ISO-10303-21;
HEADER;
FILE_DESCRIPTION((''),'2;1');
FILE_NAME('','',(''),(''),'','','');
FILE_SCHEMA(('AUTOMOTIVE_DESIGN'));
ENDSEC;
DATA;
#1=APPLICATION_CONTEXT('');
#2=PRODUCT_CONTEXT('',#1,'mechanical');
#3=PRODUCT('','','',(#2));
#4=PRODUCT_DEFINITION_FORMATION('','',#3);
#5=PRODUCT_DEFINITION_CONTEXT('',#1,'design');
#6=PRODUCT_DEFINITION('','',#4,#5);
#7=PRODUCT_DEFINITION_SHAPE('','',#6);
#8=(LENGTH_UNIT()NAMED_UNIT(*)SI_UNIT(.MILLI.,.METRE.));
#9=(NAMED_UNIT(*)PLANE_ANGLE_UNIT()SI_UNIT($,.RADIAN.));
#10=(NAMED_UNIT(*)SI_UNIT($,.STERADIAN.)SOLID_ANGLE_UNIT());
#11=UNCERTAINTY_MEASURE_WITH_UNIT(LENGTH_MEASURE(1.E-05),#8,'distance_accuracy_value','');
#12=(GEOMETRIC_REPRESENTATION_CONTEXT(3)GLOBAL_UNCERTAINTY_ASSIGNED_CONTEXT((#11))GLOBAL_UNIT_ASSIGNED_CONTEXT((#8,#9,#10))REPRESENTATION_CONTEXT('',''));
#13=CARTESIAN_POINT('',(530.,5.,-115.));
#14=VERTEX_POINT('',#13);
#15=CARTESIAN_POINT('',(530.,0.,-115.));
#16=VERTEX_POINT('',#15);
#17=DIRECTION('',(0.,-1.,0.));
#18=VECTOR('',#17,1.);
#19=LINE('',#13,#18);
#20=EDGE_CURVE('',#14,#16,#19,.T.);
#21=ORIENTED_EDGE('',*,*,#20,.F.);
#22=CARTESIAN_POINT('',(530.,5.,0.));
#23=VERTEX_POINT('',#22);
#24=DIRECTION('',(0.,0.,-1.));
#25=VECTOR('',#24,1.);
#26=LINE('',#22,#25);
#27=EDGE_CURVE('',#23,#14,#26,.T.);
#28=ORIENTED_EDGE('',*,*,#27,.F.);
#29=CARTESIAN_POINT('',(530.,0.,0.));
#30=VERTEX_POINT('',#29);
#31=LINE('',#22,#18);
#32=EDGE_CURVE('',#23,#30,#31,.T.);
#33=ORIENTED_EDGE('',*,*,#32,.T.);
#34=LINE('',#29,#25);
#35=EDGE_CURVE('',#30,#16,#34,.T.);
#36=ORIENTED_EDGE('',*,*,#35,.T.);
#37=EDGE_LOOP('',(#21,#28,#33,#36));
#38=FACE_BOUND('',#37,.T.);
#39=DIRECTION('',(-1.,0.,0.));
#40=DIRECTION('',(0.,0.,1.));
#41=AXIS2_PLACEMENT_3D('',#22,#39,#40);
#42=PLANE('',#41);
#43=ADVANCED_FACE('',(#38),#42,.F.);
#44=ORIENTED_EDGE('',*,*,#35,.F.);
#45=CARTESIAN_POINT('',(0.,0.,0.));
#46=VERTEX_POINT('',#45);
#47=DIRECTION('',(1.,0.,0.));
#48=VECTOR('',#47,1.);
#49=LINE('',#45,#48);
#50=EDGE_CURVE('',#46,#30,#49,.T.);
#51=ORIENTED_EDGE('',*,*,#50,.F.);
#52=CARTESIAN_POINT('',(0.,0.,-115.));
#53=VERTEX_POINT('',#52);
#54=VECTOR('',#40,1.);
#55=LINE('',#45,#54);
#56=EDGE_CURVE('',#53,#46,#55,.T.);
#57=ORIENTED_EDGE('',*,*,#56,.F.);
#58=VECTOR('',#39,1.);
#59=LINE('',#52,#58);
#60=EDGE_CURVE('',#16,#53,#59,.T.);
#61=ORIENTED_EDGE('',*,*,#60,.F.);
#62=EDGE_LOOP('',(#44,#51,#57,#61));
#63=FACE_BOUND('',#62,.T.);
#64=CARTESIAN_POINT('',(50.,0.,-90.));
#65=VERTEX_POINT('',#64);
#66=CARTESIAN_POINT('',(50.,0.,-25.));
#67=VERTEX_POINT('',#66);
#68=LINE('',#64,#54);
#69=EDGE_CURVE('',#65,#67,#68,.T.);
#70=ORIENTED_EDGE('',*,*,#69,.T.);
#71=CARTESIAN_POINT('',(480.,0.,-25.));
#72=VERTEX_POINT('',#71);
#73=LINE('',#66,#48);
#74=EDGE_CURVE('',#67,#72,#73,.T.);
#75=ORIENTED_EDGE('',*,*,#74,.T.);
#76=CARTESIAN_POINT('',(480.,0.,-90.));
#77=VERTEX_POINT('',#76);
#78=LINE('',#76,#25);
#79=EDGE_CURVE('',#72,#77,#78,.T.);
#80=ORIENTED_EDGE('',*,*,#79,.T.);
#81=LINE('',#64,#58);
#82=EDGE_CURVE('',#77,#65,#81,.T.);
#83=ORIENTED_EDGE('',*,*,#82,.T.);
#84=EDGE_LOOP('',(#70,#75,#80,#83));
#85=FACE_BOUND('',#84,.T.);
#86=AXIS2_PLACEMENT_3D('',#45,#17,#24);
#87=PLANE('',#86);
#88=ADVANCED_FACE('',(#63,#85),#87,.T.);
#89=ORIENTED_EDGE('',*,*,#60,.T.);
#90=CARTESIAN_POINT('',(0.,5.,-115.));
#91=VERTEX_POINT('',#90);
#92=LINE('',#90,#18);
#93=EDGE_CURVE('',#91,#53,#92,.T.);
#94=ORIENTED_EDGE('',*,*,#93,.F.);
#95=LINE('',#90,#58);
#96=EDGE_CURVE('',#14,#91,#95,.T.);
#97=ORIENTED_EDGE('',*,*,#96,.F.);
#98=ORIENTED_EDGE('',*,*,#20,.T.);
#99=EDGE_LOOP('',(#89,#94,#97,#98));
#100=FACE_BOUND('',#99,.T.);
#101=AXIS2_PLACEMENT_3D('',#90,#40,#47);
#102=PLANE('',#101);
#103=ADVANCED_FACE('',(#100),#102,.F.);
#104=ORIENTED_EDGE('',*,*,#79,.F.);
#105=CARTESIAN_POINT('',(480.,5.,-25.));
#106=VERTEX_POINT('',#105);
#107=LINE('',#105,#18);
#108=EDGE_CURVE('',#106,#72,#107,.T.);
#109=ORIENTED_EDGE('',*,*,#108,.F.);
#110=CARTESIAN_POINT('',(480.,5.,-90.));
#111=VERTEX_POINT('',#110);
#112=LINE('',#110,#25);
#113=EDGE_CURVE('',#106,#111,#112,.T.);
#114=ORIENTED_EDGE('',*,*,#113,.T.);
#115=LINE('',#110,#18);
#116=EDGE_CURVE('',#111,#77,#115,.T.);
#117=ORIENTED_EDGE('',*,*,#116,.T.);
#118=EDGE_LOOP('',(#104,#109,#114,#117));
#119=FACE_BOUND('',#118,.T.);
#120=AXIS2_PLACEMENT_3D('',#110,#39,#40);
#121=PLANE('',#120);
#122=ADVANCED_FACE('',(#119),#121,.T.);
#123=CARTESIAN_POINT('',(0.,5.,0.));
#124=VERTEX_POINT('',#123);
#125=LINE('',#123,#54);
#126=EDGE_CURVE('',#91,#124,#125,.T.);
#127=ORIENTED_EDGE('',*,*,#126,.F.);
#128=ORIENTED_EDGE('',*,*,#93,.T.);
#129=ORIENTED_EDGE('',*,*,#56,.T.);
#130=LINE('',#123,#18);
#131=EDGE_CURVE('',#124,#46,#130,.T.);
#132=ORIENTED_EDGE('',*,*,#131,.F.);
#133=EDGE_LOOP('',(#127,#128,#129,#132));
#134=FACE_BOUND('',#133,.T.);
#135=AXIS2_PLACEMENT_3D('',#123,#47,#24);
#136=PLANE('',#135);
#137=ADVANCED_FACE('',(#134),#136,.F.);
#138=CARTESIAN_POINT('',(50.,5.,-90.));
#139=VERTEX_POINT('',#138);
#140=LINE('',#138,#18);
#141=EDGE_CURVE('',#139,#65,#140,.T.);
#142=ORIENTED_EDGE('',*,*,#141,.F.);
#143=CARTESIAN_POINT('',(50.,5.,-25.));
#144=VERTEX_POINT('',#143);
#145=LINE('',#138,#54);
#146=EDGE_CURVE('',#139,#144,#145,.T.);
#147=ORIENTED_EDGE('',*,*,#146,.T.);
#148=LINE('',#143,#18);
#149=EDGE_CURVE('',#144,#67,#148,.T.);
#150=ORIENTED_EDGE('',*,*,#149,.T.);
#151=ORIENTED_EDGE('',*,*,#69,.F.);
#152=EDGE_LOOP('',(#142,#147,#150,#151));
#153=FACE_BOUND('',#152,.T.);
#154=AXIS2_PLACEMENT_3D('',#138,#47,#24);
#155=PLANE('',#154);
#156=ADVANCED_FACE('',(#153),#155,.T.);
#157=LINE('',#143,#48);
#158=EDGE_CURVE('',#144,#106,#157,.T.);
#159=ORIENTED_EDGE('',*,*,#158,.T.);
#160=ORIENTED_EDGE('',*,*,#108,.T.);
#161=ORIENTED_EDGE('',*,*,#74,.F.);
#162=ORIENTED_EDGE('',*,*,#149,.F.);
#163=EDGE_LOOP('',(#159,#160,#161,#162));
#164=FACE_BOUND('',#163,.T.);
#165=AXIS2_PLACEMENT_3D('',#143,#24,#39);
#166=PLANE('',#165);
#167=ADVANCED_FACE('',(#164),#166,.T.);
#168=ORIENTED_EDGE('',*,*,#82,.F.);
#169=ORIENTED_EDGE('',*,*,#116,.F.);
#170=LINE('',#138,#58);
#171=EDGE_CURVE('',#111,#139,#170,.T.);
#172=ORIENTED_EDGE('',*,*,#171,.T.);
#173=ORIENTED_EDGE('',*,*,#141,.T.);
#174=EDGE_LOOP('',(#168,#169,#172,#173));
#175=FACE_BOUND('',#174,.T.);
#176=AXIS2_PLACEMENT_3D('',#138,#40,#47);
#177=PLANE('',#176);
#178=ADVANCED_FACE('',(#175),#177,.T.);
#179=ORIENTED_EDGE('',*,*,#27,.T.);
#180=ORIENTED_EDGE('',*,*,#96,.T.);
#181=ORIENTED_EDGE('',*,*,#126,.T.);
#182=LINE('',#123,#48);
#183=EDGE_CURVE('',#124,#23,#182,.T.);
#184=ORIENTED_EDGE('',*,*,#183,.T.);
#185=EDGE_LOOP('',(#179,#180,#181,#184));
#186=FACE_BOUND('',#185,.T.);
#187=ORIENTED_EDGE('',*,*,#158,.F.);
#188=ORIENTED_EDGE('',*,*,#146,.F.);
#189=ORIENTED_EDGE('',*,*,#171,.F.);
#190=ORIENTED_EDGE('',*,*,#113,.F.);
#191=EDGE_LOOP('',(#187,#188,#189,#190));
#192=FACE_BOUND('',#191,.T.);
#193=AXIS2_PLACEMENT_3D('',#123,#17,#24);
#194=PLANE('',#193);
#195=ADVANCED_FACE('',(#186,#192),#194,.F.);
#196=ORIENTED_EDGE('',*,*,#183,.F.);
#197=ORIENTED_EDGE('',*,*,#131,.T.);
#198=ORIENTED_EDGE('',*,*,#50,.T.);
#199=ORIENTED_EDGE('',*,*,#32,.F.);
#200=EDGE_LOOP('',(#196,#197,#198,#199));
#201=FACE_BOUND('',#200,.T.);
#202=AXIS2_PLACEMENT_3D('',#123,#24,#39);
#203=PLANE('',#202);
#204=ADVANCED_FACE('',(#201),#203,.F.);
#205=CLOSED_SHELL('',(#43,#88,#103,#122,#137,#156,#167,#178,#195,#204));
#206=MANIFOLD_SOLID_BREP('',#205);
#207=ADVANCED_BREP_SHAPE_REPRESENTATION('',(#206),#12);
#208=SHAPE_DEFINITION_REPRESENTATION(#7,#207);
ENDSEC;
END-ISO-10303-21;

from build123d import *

# Parameters (mm, degrees)
SKETCH1_W           = 530
SKETCH1_H           = 115
SKETCH1_W_2         = 430
SKETCH1_H_2         = 65
BOSS_EXTRUDE1_DEPTH = 5


with BuildPart() as part:
    # Sketch1 → Boss-Extrude1 (new body)
    with BuildSketch(Plane(origin=(0, 0, 0), x_dir=(1, 0, 0), z_dir=(0, 1, 0))):
        with Locations((265, 57.5)):
            Rectangle(SKETCH1_W, SKETCH1_H)
        with Locations((265, 57.5)):
            Rectangle(SKETCH1_W_2, SKETCH1_H_2, mode=Mode.SUBTRACT)
    extrude(amount=BOSS_EXTRUDE1_DEPTH)


solid = part.part
